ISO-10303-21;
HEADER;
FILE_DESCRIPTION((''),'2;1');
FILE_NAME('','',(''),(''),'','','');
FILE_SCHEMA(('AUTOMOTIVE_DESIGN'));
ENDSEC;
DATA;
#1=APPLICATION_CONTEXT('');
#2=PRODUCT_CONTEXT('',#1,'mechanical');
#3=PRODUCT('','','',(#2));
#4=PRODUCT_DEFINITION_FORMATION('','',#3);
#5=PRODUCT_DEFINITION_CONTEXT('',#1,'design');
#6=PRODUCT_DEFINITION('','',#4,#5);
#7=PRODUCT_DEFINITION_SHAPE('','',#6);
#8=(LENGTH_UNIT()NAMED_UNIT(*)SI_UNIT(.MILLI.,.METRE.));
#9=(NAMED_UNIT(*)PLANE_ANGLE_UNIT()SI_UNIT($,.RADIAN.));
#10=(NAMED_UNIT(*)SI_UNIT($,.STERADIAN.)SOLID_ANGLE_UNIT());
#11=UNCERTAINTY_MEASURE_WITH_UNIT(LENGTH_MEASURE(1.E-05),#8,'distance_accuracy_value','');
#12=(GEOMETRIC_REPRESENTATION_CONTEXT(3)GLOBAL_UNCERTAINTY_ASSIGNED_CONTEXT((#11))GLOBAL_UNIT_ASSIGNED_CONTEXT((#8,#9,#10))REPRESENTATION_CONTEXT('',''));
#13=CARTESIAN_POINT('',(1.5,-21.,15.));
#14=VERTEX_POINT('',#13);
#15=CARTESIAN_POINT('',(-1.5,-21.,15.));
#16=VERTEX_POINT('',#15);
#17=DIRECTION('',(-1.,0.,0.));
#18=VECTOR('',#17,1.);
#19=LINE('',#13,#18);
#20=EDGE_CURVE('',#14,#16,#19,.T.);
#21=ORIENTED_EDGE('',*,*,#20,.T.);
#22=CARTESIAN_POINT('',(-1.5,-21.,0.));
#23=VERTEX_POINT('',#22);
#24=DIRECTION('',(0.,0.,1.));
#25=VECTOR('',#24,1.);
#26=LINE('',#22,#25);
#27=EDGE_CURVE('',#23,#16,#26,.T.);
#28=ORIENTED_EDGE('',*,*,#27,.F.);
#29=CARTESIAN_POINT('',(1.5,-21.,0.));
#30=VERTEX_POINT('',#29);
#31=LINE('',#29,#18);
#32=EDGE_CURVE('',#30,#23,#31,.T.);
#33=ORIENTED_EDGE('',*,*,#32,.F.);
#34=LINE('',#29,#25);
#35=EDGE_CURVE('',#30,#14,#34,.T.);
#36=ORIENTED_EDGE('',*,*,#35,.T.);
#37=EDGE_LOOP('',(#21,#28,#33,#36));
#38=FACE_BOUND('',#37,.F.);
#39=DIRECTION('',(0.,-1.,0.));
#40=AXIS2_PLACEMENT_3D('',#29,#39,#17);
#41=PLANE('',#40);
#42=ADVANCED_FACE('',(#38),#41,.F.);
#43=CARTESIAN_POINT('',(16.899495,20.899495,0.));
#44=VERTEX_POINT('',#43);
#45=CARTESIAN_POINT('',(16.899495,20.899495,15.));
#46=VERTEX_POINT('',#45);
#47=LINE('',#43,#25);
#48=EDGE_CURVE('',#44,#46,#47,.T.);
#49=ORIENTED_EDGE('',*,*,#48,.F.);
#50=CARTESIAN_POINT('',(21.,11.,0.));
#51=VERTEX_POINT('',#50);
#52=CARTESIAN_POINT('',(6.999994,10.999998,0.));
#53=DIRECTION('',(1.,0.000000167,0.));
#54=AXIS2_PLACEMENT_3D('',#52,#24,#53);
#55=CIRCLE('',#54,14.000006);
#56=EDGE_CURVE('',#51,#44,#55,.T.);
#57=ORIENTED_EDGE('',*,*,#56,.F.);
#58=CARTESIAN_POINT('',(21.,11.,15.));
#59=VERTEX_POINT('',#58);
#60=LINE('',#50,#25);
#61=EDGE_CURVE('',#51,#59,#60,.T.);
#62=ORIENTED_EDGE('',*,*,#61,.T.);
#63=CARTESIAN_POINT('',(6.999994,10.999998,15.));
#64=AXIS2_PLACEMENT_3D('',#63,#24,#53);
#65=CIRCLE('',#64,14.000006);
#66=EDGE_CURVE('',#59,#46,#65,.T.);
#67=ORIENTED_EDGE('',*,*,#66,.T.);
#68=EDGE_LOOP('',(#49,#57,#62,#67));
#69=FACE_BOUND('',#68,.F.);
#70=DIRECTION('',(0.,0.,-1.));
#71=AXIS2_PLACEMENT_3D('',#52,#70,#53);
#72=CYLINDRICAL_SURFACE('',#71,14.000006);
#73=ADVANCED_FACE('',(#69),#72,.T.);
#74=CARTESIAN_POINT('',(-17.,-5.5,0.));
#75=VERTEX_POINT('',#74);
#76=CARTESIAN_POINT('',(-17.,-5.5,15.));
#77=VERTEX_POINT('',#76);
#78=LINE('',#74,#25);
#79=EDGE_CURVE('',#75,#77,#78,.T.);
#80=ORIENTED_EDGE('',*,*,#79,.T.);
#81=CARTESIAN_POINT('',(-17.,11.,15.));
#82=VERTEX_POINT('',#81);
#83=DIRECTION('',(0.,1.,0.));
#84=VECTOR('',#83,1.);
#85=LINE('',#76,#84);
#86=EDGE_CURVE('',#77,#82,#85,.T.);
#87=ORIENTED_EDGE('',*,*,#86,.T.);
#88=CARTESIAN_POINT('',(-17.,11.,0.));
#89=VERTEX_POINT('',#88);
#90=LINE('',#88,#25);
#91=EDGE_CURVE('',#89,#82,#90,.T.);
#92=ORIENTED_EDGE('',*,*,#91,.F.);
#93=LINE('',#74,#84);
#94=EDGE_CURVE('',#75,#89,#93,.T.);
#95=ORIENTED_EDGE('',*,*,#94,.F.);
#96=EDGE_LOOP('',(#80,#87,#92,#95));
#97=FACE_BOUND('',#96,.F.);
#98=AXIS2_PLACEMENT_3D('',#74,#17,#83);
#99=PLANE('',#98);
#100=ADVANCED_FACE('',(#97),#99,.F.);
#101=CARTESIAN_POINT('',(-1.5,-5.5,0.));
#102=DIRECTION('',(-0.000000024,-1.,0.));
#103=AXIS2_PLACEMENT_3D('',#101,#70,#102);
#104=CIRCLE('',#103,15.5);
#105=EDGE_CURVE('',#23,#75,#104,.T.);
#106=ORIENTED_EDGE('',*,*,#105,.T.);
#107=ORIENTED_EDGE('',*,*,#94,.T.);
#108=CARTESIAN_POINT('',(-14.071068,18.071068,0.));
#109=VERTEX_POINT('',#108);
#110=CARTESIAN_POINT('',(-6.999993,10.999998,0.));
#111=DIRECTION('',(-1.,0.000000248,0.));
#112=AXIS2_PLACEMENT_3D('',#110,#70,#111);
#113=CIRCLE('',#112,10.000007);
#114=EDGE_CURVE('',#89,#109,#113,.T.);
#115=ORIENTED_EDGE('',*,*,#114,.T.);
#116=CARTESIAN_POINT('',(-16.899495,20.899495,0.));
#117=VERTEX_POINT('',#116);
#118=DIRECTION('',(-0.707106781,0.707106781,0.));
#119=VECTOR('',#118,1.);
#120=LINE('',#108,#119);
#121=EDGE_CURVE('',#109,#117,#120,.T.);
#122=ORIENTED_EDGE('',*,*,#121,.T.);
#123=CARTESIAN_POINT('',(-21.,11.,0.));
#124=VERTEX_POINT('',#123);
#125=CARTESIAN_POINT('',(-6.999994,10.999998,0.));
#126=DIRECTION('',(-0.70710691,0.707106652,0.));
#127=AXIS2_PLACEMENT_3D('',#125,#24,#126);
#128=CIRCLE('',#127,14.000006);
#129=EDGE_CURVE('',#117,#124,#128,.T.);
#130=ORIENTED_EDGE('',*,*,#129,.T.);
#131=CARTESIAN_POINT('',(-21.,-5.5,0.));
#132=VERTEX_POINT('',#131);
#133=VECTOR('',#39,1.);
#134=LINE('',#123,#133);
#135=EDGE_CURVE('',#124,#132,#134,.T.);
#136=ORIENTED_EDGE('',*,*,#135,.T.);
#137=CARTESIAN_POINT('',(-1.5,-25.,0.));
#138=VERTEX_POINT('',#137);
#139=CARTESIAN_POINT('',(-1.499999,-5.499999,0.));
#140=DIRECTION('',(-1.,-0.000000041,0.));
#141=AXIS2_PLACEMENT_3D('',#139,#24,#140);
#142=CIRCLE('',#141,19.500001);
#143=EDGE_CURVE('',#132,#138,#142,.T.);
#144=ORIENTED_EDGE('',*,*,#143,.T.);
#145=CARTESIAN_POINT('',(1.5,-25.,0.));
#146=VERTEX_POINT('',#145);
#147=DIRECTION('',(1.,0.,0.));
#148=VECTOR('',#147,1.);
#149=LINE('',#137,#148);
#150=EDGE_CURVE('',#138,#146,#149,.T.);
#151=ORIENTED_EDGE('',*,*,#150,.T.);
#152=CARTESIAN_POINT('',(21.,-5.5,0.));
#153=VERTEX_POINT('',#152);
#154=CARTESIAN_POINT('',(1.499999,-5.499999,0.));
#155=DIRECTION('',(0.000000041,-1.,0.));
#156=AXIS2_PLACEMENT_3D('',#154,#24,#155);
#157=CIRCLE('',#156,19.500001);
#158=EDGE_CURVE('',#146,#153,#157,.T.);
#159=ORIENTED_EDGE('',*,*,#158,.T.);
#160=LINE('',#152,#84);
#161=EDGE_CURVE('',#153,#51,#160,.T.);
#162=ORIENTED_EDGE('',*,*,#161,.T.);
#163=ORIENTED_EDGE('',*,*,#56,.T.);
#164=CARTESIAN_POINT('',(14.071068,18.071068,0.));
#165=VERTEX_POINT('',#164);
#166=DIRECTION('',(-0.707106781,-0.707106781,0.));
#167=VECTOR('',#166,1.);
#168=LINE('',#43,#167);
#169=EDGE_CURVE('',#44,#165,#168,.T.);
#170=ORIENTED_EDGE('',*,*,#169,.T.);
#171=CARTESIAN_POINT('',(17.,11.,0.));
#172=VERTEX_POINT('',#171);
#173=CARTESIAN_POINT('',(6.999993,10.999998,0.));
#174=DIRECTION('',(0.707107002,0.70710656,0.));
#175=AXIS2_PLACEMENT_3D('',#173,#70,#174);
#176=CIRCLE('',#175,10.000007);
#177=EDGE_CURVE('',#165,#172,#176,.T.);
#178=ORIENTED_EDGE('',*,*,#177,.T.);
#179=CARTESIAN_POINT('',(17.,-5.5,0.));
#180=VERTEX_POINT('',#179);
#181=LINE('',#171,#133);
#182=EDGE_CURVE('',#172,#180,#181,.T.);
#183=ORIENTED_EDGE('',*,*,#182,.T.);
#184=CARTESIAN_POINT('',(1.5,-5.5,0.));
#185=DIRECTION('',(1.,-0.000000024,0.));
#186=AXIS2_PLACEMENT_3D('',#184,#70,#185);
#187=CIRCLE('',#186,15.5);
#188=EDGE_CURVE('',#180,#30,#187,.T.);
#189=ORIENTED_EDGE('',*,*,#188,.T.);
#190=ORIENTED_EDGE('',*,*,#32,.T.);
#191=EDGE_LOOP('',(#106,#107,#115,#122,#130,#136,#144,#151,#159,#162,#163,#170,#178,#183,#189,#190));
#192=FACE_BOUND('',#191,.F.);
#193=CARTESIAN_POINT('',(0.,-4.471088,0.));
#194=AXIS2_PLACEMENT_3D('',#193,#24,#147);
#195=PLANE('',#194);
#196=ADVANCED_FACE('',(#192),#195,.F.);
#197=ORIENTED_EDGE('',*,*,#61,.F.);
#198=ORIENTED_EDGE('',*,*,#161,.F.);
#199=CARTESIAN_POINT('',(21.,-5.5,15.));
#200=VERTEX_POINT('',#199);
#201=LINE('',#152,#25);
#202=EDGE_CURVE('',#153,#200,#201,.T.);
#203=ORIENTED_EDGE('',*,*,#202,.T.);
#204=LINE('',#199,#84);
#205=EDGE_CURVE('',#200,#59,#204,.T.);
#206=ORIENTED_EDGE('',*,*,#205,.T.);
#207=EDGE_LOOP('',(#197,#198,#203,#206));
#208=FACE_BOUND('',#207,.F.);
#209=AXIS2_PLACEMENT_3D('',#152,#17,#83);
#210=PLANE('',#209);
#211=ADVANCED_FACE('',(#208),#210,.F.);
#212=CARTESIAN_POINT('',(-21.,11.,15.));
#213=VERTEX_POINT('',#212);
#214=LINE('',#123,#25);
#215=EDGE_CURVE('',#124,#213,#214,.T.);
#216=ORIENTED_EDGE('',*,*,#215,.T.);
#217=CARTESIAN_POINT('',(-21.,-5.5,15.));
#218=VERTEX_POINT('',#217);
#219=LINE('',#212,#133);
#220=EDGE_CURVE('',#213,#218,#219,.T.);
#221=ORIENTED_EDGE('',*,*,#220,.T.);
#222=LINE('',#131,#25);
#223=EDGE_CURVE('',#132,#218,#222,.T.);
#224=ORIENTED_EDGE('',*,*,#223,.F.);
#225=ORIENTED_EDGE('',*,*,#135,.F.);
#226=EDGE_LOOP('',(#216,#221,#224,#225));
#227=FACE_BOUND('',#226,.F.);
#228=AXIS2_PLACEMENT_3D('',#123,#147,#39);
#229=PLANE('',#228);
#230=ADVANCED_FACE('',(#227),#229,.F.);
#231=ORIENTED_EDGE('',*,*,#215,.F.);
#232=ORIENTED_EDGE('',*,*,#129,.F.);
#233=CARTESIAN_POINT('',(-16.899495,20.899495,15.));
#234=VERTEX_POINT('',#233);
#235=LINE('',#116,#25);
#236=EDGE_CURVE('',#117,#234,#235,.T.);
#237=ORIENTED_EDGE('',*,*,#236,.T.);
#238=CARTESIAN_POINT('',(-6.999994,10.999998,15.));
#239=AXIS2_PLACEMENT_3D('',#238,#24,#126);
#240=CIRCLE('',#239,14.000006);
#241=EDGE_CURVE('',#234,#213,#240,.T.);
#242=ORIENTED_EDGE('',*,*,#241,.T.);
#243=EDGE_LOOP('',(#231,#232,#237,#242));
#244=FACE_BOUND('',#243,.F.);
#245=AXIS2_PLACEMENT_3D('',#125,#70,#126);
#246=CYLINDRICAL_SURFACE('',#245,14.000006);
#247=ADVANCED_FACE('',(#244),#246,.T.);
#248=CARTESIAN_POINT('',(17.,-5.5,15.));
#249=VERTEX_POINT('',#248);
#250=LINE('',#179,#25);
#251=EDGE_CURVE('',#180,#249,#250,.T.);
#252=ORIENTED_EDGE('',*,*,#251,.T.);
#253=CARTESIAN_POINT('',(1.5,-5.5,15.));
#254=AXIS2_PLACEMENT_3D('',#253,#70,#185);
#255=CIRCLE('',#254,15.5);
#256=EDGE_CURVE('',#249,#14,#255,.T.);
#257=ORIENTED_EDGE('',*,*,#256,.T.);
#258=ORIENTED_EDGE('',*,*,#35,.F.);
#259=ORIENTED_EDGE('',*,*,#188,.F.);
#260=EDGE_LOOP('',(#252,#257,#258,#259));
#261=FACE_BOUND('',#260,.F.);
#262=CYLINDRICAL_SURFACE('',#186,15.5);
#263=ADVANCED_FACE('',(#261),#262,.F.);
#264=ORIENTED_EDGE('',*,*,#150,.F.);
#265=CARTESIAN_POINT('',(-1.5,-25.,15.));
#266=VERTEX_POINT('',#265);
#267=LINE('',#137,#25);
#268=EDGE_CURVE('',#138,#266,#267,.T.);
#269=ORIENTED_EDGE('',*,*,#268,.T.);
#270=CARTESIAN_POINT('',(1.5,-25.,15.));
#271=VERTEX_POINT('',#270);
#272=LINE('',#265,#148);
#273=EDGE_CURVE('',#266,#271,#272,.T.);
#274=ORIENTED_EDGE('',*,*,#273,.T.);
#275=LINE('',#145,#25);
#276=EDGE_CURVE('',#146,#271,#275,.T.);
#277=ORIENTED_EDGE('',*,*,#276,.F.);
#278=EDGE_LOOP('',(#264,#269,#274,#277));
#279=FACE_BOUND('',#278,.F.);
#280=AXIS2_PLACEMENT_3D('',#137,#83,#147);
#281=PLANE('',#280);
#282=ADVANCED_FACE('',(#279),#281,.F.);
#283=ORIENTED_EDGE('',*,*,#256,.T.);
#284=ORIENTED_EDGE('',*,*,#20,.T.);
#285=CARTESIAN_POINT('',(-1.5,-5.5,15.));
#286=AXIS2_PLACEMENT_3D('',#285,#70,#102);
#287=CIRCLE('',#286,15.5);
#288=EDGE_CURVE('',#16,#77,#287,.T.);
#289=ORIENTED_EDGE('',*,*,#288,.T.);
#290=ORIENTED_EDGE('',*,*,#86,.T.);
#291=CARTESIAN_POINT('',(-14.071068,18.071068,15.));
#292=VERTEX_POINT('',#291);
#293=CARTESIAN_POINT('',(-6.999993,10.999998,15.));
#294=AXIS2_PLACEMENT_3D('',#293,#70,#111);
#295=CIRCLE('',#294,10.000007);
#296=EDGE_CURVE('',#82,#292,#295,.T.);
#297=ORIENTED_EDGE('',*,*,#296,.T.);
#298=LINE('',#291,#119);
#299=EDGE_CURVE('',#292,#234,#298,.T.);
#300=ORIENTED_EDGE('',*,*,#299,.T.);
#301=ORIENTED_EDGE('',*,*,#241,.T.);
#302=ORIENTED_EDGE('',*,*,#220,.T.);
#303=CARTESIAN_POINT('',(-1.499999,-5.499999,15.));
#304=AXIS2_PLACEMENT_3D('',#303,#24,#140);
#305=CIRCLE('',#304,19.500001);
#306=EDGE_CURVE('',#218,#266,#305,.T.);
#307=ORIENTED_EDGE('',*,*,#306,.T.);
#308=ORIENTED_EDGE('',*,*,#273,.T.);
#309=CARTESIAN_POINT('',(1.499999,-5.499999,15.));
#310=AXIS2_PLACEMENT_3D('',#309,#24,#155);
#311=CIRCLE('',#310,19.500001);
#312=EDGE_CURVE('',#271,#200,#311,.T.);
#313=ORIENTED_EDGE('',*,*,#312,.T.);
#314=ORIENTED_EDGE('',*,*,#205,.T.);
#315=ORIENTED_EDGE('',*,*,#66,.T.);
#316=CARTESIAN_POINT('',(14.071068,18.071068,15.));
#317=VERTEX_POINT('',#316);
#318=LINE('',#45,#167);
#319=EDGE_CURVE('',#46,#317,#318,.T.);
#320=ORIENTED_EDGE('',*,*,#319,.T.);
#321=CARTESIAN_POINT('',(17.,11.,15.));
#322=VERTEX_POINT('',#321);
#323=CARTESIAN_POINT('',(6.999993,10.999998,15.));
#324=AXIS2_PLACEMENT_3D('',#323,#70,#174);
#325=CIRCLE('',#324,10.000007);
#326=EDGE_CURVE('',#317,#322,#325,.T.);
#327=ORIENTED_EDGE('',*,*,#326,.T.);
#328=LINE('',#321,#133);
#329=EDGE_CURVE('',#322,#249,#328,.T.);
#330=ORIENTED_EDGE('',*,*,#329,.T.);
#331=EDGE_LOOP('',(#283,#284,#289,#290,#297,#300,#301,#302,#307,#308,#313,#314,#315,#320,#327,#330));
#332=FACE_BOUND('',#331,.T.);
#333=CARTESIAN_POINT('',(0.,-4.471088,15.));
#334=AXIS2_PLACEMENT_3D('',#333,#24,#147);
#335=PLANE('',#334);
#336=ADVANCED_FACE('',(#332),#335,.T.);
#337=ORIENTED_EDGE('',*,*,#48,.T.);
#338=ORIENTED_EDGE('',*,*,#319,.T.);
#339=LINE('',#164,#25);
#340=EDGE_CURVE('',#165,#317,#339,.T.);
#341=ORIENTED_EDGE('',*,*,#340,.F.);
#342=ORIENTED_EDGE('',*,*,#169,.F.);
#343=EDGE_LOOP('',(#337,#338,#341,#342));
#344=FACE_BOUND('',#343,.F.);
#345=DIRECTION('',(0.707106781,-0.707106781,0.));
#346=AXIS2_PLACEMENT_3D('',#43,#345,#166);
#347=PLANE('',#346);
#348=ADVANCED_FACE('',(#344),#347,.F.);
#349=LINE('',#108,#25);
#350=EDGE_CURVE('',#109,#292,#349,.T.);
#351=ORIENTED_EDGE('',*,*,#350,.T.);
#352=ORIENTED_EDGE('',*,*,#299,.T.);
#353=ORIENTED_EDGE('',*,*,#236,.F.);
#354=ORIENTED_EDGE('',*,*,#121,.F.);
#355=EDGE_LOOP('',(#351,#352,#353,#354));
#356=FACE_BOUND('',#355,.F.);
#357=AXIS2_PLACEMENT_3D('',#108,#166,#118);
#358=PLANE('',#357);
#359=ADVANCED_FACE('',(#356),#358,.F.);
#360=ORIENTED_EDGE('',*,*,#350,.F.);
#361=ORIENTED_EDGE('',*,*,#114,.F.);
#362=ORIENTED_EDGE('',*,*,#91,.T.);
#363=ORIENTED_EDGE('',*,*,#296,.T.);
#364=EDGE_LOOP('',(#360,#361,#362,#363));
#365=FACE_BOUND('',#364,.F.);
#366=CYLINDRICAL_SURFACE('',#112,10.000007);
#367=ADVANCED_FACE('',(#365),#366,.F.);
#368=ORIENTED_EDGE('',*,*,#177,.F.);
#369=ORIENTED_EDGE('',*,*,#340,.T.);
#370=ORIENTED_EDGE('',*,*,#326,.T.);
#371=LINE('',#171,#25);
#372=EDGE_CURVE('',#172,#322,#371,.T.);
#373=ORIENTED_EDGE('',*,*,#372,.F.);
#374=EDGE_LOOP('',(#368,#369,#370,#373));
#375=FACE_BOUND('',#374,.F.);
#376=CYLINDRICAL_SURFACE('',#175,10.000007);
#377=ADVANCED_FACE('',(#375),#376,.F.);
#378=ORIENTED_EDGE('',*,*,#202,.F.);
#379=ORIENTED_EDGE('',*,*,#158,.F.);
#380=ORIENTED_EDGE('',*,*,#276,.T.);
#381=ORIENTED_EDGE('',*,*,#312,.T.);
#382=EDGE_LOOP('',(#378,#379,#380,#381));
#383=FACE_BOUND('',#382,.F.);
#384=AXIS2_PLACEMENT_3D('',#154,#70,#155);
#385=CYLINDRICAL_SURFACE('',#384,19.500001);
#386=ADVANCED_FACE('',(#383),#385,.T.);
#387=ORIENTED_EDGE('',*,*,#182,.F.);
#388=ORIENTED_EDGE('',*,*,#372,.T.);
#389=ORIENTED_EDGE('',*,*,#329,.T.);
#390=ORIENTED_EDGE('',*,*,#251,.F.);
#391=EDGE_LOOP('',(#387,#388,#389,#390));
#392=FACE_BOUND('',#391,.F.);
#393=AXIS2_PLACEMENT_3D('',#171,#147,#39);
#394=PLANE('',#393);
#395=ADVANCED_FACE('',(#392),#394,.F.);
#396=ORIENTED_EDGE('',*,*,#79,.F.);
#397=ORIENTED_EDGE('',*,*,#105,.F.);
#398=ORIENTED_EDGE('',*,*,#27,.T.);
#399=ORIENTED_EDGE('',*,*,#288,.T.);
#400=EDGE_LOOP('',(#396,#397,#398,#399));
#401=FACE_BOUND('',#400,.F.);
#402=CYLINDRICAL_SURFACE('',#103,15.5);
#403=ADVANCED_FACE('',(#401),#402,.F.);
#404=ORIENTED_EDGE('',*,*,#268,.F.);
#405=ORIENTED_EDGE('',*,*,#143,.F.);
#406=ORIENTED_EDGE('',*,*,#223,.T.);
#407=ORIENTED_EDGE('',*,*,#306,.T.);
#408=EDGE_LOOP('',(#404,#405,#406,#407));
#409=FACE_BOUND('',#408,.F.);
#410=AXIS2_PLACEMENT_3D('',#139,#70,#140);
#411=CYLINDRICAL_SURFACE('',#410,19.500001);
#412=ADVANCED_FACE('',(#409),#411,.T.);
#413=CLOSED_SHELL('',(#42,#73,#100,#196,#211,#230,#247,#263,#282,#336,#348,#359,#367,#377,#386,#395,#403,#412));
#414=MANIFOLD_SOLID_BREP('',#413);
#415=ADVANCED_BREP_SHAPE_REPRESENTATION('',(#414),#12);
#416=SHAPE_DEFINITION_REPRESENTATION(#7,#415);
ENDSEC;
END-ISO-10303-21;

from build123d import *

# Parameters (mm, degrees)
F1_DEPTH = 15


with BuildPart() as f1:
    # F0 (on Top) → F1 (new body)
    with BuildSketch(Plane.XY):
        with BuildLine():
            ThreePointArc((-17, 11), (-16.238795, 14.826834), (-14.071068, 18.071068))
            Line((-14.071068, 18.071068), (-16.899495, 20.899495))
            ThreePointArc((-16.899495, 20.899495), (-19.934313, 16.357568), (-21, 11))
            Line((-21, 11), (-21, -5.5))
            ThreePointArc((-21, -5.5), (-15.288582, -19.288582), (-1.5, -25))
            Line((-1.5, -25), (1.5, -25))
            ThreePointArc((1.5, -25), (15.288582, -19.288582), (21, -5.5))
            Line((21, -5.5), (21, 11))
            ThreePointArc((21, 11), (19.934313, 16.357568), (16.899495, 20.899495))
            Line((16.899495, 20.899495), (14.071068, 18.071068))
            ThreePointArc((14.071068, 18.071068), (16.238795, 14.826834), (17, 11))
            Line((17, 11), (17, -5.5))
            ThreePointArc((17, -5.5), (12.460155, -16.460155), (1.5, -21))
            Line((1.5, -21), (-1.5, -21))
            ThreePointArc((-1.5, -21), (-12.460155, -16.460155), (-17, -5.5))
            Line((-17, -5.5), (-17, 11))
        make_face()
    extrude(amount=F1_DEPTH)


solid = f1.part
